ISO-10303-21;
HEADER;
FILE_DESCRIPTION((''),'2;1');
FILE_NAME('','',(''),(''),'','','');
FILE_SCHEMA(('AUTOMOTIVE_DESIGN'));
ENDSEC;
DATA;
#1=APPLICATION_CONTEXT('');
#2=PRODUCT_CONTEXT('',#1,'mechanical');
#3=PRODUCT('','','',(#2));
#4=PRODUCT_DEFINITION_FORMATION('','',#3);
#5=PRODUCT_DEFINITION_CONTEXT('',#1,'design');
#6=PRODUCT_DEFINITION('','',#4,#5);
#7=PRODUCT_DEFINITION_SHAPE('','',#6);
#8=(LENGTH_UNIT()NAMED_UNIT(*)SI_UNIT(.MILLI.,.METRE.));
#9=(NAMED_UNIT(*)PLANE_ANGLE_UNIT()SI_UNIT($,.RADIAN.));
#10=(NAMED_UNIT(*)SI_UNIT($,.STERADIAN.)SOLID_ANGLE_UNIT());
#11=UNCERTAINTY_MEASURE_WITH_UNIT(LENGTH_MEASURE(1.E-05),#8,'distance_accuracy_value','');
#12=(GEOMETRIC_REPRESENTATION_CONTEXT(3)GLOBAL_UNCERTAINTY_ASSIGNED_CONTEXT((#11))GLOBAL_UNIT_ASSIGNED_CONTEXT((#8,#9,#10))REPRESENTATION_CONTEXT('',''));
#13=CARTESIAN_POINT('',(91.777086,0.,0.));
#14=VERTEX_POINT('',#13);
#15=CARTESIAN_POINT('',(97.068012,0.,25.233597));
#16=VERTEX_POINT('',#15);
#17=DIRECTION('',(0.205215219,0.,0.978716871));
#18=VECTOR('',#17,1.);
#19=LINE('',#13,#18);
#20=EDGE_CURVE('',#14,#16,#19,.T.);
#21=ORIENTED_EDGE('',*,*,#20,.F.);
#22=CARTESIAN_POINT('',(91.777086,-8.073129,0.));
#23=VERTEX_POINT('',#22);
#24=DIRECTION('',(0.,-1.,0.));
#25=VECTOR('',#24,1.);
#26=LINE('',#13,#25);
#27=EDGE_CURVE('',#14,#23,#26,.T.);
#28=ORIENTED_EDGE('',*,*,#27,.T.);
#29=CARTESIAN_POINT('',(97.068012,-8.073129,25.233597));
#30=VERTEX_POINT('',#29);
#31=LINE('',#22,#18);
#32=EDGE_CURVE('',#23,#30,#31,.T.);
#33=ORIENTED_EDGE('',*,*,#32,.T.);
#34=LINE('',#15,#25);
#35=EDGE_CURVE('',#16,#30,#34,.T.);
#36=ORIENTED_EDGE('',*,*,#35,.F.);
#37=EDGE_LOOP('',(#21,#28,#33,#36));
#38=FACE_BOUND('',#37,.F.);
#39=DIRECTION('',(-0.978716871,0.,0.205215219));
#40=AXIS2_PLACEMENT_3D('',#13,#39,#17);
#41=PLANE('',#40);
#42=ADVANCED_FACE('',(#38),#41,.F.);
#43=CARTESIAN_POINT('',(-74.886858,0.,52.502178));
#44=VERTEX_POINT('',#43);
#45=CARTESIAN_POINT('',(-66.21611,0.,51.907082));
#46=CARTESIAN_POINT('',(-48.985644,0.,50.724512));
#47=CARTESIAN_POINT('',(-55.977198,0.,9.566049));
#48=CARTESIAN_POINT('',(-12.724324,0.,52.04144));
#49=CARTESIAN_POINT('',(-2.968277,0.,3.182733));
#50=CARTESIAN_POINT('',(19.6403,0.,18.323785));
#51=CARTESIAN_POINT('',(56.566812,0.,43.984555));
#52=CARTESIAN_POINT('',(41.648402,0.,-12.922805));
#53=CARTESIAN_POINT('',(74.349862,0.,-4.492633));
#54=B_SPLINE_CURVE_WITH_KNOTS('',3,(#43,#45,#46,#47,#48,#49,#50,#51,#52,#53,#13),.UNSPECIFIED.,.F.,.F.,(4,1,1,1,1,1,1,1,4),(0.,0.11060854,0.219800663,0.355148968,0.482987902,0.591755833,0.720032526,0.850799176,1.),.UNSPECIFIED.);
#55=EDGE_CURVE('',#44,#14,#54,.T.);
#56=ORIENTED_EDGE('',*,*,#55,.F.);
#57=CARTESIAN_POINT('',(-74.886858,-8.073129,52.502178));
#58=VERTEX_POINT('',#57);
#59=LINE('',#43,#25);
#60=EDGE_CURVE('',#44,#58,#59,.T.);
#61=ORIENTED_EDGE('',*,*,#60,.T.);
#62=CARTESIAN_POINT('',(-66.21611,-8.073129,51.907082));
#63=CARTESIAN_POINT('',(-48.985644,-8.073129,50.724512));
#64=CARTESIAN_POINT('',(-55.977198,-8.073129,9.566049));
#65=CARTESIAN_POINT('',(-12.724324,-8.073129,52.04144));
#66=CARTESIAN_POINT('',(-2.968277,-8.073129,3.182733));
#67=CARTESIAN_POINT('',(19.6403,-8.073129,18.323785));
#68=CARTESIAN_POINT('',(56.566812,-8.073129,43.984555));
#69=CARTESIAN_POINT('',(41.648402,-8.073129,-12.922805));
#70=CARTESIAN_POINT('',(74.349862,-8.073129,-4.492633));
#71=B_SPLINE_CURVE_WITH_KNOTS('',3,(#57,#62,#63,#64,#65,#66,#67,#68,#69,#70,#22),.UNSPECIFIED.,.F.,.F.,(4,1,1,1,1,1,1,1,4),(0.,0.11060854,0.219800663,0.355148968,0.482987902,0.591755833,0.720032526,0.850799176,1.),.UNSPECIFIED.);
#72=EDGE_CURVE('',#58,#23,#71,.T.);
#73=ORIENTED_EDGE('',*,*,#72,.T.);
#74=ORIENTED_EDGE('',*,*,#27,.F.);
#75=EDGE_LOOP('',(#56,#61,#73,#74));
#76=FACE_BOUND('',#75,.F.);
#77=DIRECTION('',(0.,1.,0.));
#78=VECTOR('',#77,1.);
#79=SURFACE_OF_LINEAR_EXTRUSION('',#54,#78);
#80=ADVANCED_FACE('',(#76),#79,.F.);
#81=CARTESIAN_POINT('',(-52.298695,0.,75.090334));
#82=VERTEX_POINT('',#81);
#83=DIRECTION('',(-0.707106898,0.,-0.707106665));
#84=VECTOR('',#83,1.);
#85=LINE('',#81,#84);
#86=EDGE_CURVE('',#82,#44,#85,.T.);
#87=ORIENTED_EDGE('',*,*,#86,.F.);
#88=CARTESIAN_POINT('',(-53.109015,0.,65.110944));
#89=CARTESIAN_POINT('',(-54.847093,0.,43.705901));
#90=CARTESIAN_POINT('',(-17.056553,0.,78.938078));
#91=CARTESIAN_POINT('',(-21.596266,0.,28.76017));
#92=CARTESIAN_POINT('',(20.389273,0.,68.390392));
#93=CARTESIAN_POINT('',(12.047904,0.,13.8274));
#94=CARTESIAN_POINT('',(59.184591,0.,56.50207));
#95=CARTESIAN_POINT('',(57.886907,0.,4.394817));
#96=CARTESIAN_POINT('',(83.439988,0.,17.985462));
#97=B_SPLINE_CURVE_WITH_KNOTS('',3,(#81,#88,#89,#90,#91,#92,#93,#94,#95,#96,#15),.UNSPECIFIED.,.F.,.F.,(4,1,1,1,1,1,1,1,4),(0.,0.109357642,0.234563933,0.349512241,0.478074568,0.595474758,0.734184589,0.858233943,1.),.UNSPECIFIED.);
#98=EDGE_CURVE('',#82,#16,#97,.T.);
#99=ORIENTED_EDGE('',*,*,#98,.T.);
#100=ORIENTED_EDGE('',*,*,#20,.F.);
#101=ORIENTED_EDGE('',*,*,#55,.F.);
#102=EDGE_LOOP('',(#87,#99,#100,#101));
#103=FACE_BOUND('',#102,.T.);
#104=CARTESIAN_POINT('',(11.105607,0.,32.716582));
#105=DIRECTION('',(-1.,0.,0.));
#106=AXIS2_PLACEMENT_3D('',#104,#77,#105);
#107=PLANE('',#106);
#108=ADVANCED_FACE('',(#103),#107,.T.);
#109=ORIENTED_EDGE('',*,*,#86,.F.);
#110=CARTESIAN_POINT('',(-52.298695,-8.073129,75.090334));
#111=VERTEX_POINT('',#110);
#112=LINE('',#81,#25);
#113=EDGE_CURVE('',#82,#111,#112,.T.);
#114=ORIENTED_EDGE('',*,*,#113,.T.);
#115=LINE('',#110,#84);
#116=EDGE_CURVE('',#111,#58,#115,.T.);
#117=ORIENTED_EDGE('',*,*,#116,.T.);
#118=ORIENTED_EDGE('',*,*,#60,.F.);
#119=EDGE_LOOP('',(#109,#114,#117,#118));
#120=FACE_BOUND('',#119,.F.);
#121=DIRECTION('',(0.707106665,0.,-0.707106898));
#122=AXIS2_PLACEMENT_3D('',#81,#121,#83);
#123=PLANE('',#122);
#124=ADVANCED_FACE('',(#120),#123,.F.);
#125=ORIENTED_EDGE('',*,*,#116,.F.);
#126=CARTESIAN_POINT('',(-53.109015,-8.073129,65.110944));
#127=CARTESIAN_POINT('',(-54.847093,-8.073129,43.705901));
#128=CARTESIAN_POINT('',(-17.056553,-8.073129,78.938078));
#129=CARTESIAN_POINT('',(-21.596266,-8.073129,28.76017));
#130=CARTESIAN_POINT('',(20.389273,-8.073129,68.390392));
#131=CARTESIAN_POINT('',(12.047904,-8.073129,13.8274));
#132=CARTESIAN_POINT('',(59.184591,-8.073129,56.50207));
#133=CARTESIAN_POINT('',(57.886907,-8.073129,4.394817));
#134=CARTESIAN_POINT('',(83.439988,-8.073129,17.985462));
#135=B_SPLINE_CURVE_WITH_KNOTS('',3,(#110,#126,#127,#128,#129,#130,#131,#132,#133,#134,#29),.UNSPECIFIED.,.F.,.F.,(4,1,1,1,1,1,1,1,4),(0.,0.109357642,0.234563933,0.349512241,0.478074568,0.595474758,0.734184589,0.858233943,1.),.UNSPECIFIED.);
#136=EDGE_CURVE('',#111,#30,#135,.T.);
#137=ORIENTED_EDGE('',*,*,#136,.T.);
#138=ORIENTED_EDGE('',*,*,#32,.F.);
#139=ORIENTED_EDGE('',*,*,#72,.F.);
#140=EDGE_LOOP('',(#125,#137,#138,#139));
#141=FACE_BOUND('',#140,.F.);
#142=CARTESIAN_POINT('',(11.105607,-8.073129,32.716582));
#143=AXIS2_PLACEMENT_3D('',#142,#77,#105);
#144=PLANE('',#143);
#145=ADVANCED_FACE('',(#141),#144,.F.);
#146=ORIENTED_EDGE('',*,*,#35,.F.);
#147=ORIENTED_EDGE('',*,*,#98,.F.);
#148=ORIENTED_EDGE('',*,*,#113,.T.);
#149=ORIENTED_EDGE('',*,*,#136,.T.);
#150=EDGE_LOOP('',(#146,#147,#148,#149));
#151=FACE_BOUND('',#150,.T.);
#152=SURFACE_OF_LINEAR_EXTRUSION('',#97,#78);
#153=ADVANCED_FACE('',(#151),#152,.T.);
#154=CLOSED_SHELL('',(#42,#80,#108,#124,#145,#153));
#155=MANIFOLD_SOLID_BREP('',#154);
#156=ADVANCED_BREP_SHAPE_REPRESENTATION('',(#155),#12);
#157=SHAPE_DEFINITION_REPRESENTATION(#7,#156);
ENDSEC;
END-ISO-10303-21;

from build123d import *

# Parameters (mm, degrees)
F1_DEPTH = 8.0731287599


with BuildPart() as f1:
    # F0 (on Front) → F1 (new body)
    with BuildSketch(Plane.XZ):
        with BuildLine():
            add(Edge.make_bspline(
                [(-52.298694849, 75.0903338194), (-53.1090154629, 65.1109435783), (-54.8470931416, 43.7059007608), (-17.0565533016, 78.9380783989), (-21.5962659337, 28.760169603), (20.3892725463, 68.39039215), (12.0479042719, 13.8273995011), (59.1845908528, 56.5020698561), (57.886907057, 4.3948174791), (83.43998813, 17.9854618921), (97.0680117607, 25.2335965633)],
                knots=[0, 0, 0, 0, 0.1093576418, 0.2345639333, 0.3495122414, 0.4780745678, 0.5954747582, 0.7341845887, 0.8582339434, 1, 1, 1, 1], degree=3))
            Line((-52.298694849, 75.0903338194), (-74.8868584633, 52.5021776557))
            add(Edge.make_bspline(
                [(-74.8868584633, 52.5021776557), (-66.2161097043, 51.9070820437), (-48.9856441448, 50.7245124403), (-55.9771975903, 9.5660493637), (-12.7243235126, 52.0414402194), (-2.9682767949, 3.1827331411), (19.6402995791, 18.3237854628), (56.566812126, 43.9845548791), (41.6484017266, -12.922805249), (74.3498623107, -4.4926326888), (91.7770862579, 0)],
                knots=[0, 0, 0, 0, 0.1106085402, 0.2198006633, 0.3551489675, 0.4829879019, 0.5917558332, 0.720032526, 0.8507991761, 1, 1, 1, 1], degree=3))
            Line((91.7770862579, 0), (97.0680117607, 25.2335965633))
        make_face()
    extrude(amount=F1_DEPTH)


solid = f1.part
